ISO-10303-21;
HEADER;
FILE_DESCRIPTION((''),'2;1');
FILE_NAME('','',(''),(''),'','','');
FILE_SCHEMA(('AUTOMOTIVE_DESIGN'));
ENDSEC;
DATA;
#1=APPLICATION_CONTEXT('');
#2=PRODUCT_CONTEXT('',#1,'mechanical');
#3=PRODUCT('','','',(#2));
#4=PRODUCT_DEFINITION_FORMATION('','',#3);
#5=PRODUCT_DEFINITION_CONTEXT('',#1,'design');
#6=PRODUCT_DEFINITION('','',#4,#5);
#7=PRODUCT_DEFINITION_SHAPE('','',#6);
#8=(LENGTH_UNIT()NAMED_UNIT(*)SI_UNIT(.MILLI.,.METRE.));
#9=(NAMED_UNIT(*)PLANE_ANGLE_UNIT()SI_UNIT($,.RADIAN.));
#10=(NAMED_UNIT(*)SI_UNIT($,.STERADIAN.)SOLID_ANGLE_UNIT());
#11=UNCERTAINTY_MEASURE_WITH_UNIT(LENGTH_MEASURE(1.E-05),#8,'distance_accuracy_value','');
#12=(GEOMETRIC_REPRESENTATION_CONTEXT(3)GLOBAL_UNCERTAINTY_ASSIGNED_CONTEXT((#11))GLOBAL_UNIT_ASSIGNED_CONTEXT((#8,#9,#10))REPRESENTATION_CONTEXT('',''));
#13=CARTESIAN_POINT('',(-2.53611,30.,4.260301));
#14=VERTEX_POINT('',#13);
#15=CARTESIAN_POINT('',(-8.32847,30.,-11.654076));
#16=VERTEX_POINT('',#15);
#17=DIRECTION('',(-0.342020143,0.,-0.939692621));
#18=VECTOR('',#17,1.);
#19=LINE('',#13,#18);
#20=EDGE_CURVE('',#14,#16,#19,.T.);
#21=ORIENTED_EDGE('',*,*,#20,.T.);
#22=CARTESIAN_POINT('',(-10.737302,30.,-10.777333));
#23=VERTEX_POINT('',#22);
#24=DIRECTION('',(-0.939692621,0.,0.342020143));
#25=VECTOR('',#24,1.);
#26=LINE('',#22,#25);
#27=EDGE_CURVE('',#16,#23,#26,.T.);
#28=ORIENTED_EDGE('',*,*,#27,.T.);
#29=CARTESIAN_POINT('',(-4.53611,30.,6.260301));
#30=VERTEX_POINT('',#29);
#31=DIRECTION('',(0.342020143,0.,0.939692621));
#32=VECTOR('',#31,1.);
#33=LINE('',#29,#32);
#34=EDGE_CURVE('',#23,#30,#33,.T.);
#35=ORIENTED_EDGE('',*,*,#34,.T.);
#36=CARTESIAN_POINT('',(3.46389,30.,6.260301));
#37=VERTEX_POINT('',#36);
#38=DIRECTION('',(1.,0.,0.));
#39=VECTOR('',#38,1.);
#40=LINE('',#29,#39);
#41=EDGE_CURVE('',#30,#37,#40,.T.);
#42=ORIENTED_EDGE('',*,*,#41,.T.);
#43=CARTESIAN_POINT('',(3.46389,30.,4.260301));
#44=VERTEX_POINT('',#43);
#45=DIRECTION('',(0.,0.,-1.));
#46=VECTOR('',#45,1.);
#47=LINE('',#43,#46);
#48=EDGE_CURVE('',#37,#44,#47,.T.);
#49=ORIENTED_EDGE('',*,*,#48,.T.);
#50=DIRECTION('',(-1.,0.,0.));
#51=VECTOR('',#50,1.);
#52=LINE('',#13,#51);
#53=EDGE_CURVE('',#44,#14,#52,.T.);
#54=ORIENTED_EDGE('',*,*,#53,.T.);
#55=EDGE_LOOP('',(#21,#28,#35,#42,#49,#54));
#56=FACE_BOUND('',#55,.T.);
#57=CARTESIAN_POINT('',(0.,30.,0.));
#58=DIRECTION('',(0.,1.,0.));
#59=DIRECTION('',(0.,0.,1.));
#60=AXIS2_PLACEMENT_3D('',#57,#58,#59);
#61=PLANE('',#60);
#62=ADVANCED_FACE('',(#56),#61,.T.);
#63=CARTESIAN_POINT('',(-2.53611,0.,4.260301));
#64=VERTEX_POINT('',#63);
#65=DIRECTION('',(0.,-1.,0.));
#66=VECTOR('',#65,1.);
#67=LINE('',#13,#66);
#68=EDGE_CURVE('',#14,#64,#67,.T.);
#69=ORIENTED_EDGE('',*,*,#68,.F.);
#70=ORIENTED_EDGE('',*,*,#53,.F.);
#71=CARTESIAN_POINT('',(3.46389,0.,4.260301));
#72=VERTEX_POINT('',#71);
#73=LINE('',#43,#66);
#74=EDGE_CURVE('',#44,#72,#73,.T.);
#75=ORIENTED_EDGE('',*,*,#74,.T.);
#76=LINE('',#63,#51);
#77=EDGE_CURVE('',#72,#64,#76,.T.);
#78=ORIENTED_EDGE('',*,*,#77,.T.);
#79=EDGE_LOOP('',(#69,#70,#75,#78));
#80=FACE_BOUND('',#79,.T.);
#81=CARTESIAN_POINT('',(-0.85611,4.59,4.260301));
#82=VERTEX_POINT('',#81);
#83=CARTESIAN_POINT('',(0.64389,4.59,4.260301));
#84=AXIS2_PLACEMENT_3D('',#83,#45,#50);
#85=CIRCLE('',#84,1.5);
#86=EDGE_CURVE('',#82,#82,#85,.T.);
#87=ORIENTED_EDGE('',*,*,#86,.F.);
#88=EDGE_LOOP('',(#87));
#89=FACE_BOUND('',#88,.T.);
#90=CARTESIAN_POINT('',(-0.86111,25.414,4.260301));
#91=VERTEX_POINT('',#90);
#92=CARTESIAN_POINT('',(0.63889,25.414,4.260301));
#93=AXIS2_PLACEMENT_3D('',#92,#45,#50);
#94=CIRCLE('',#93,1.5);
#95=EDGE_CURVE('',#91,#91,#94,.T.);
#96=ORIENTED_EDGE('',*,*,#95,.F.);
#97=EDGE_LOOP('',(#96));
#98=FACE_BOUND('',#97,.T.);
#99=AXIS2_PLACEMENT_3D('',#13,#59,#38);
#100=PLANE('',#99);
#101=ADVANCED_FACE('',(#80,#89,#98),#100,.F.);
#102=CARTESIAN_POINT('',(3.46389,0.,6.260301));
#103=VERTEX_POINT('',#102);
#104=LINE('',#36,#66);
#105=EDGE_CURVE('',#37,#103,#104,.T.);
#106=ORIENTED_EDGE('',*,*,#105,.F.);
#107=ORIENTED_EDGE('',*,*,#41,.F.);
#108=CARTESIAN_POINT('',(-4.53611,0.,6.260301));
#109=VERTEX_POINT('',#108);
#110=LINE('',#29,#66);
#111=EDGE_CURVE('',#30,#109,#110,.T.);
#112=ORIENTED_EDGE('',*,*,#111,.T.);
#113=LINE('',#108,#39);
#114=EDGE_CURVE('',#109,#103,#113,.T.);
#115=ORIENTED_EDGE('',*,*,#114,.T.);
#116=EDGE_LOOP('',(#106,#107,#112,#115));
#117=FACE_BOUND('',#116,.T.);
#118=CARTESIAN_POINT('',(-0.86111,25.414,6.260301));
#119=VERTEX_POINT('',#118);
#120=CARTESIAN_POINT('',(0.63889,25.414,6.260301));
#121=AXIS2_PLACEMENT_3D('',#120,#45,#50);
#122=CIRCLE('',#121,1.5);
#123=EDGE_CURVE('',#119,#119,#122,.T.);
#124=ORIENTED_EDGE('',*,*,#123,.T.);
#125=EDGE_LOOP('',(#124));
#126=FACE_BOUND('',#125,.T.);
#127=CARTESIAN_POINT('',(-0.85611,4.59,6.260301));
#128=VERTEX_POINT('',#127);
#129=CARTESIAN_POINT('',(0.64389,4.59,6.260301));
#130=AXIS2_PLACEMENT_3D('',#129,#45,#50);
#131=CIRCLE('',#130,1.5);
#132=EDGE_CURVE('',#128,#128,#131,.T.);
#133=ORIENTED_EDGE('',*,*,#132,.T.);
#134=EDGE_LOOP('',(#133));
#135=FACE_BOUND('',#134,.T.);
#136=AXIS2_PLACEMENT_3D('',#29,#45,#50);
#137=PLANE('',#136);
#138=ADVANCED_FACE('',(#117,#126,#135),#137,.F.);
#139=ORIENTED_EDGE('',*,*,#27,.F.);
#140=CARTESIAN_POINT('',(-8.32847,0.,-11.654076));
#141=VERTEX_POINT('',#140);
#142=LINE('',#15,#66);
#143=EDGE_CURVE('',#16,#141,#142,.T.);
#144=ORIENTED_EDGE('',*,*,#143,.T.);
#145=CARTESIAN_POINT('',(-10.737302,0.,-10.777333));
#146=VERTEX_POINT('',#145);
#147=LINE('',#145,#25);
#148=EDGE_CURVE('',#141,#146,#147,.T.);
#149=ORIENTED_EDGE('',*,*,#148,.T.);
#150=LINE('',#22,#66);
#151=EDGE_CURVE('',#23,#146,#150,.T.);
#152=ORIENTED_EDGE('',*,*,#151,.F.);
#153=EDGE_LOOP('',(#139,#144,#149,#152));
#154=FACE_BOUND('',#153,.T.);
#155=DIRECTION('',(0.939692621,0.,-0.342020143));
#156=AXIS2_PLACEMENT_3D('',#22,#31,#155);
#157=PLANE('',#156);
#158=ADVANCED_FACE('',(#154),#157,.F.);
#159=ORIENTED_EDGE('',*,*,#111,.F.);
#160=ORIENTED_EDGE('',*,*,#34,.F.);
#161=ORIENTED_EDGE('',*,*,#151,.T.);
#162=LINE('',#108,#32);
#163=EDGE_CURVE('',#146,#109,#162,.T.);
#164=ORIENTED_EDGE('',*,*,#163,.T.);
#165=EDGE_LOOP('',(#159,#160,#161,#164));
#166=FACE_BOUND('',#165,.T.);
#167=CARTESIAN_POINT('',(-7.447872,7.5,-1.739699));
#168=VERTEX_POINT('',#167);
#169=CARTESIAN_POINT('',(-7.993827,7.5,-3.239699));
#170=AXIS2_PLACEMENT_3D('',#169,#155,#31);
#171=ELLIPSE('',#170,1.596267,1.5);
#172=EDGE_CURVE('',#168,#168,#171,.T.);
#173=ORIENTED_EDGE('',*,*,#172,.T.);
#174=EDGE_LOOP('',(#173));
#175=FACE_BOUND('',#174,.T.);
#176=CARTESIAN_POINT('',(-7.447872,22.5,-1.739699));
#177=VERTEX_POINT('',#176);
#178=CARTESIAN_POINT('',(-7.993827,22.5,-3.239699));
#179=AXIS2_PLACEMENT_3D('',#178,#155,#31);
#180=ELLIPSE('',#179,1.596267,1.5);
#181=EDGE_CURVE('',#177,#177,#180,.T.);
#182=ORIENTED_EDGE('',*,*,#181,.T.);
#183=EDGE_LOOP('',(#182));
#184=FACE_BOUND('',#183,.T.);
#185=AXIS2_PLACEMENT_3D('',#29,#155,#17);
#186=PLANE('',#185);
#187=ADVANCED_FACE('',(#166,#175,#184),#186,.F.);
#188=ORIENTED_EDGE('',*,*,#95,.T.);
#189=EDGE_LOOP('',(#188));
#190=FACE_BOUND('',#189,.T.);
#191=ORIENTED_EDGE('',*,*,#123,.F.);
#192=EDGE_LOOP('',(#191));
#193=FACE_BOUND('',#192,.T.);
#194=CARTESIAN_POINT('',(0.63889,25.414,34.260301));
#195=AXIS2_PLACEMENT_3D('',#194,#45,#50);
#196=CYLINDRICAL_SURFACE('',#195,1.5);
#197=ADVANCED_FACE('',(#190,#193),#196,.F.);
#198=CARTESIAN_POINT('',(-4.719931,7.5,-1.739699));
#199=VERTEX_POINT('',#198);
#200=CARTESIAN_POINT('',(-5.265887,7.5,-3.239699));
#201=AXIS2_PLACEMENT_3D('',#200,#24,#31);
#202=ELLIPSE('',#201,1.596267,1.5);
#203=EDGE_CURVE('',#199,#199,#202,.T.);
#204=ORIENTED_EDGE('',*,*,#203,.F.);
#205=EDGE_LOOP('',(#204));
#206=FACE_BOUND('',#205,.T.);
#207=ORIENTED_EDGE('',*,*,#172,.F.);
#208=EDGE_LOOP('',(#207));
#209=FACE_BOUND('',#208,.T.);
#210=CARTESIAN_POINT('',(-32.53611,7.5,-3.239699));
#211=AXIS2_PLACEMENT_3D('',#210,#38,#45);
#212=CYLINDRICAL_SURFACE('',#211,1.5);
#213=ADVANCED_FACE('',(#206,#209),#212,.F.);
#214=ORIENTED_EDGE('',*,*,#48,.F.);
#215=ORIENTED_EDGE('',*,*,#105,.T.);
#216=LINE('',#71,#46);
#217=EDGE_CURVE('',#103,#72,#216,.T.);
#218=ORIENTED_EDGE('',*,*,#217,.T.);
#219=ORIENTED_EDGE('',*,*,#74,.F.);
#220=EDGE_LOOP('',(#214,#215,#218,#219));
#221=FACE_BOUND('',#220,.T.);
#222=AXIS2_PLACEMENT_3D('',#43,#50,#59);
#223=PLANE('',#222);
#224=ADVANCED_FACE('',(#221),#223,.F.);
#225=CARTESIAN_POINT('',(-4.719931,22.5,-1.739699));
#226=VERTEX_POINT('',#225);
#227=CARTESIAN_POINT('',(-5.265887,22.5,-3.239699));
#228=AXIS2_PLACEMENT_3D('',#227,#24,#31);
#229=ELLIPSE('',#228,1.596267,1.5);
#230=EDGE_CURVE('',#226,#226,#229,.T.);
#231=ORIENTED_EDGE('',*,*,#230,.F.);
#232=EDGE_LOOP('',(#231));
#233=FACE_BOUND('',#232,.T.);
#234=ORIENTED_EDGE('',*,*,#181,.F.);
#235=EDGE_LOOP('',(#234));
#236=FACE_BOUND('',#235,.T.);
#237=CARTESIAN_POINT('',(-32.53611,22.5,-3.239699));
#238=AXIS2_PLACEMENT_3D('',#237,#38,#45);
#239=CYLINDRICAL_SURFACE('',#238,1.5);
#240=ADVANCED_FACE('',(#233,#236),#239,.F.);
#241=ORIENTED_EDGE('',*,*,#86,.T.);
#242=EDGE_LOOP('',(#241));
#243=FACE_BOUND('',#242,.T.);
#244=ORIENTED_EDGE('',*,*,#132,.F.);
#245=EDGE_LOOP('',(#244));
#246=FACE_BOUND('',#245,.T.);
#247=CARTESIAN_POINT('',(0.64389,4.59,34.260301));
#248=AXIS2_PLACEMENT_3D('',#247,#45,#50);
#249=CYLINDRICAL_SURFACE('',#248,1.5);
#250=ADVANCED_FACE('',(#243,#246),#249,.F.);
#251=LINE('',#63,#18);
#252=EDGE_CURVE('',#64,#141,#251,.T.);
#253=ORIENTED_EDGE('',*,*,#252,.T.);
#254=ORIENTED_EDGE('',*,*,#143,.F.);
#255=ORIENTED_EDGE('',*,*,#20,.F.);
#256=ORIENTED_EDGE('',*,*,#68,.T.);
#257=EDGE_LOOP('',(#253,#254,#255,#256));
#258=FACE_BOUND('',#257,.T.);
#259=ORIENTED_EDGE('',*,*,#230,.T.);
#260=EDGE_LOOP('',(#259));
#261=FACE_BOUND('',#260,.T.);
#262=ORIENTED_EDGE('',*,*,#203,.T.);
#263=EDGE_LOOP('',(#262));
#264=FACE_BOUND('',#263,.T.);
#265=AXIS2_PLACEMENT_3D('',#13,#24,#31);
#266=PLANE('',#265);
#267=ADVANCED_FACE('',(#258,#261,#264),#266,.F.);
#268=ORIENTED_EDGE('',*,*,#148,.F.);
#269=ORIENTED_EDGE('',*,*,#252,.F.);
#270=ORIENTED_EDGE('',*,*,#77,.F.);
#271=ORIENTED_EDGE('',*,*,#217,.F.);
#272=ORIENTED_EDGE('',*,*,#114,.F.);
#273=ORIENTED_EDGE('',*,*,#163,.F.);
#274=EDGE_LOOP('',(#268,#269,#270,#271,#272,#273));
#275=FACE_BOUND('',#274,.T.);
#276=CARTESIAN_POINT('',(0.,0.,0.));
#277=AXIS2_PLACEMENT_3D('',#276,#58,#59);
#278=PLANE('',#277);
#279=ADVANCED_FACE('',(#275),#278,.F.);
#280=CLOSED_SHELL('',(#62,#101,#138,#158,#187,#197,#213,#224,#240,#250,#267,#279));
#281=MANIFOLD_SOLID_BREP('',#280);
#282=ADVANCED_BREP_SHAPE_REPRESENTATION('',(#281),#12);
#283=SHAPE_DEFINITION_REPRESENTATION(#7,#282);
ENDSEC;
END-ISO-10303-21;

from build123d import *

# Parameters (mm, degrees)
BOSS_EXTRUDE1_DEPTH = 30
SKETCH2_R           = 1.5
CUT_EXTRUDE1_DEPTH  = 30
SKETCH3_R           = 1.5
CUT_EXTRUDE2_DEPTH  = 30


with BuildPart() as part:
    # Sketch1 → Boss-Extrude1 (new body)
    with BuildSketch(Plane(origin=(0, 0, 0), x_dir=(1, 0, 0), z_dir=(0, 1, 0))):
        Polygon((-4.53610988, -6.260301285), (3.46389012, -6.260301285), (3.46389012, -4.260301285), (-2.53610988, -4.260301285), (-8.328469686, 11.654076488), (-10.737301739, 10.777333321), align=None)
    extrude(amount=BOSS_EXTRUDE1_DEPTH)

    # Sketch2 → Cut-Extrude1 (cut)
    with BuildSketch(Plane(origin=(0, 0, 4.260301285), x_dir=(-1, 0, 0), z_dir=(0, 0, -1))):
        with Locations((-0.63889012, 25.414)):
            Circle(SKETCH2_R)
        with Locations((-0.64389012, 4.59)):
            Circle(SKETCH2_R)
    extrude(amount=-CUT_EXTRUDE1_DEPTH, mode=Mode.SUBTRACT)

    # Sketch3 → Cut-Extrude2 (cut)
    with BuildSketch(Plane(origin=(-2.53610988, 0, 0), x_dir=(0, 0, -1), z_dir=(1, 0, 0))):
        with Locations(Location((3.239698715, 22.5, 0), (0, 0, 180))):
            Circle(SKETCH3_R)
        with Locations(Location((3.239698715, 7.5, 0), (0, 0, 180))):
            Circle(SKETCH3_R)
    extrude(amount=-CUT_EXTRUDE2_DEPTH, mode=Mode.SUBTRACT)


solid = part.part
